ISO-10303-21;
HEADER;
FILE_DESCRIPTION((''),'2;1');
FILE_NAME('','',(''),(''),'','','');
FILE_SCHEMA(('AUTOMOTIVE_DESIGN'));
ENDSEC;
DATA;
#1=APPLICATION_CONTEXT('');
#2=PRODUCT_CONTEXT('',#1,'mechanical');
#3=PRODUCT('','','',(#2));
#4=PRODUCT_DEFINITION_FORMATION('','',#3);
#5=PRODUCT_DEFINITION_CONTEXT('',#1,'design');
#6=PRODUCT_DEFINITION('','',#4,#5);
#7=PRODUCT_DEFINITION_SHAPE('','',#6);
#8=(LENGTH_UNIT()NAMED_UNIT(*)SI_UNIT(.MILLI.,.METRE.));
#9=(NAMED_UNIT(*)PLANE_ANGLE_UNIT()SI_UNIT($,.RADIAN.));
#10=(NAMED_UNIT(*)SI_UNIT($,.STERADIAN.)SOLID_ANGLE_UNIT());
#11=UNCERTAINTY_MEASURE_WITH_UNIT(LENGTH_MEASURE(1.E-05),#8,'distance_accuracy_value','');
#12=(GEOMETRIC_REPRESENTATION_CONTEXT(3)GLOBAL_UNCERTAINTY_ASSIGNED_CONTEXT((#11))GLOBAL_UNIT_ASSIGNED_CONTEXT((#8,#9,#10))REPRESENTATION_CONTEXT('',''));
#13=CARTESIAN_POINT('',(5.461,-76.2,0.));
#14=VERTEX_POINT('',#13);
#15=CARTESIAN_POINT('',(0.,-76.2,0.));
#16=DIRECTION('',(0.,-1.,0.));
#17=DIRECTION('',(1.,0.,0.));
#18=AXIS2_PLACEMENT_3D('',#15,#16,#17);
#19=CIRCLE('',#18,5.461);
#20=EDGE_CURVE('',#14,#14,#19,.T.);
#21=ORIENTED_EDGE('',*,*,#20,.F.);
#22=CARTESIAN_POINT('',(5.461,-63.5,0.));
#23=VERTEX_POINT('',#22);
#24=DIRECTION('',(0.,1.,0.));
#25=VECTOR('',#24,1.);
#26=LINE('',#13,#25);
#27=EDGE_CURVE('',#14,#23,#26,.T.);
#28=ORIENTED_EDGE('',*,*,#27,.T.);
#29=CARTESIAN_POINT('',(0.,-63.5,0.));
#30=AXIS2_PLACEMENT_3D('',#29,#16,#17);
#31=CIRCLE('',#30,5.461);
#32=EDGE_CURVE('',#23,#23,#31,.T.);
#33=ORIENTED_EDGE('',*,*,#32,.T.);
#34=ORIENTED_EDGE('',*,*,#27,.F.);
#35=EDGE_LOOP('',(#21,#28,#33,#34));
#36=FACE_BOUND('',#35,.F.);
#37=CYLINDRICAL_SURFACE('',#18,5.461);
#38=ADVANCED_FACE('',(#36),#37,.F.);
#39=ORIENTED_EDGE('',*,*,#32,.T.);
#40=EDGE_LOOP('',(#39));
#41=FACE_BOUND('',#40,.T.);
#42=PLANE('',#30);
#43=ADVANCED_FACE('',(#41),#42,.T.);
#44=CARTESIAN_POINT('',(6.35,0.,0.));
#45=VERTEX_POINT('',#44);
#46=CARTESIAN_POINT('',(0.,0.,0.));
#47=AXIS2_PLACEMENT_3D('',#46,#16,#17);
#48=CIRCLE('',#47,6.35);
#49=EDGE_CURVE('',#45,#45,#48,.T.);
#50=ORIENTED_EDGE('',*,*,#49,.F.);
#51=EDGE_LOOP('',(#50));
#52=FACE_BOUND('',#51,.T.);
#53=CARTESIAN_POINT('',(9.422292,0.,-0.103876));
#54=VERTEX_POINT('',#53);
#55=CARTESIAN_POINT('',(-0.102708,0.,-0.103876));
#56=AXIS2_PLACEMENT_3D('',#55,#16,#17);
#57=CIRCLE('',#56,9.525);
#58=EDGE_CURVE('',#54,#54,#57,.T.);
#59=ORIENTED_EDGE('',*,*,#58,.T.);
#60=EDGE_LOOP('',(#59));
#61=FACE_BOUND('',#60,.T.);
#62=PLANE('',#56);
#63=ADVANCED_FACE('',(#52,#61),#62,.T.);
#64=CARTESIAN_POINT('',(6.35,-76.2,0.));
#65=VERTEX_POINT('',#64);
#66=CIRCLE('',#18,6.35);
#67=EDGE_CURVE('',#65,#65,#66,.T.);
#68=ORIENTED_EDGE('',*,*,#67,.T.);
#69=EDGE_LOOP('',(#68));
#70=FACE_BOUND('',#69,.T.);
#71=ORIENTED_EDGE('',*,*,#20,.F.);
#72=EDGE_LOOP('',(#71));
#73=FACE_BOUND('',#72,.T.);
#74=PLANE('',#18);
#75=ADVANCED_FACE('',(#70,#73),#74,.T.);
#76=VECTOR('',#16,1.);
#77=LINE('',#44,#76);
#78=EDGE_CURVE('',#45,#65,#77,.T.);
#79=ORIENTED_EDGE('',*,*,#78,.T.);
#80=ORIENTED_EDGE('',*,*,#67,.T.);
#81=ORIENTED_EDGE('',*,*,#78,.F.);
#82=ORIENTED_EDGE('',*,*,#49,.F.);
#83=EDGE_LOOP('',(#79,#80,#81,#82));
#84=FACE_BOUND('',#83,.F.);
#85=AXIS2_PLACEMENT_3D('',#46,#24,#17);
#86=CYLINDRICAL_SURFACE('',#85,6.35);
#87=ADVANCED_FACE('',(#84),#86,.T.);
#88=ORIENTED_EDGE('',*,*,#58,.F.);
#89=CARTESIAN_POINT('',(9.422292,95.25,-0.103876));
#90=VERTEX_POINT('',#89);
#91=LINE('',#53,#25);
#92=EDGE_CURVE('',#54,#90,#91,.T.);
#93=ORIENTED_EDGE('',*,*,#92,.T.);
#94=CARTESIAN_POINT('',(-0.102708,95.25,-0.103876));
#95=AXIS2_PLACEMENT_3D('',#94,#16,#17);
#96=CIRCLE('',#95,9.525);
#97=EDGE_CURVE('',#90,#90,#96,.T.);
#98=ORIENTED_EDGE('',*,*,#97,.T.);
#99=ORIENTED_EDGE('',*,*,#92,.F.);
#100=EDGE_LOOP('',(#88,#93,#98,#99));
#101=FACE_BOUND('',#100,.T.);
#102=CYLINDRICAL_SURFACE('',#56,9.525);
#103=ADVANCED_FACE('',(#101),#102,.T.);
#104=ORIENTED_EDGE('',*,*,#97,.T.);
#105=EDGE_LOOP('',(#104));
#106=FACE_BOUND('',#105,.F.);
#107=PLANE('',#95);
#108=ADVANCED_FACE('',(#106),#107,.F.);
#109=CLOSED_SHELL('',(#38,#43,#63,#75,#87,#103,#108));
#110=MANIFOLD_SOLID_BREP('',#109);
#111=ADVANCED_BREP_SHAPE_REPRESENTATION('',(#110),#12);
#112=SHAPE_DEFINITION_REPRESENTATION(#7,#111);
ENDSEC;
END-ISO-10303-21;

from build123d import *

# Parameters (mm, degrees)
F0_R     = 9.525
F1_DEPTH = 95.25
F2_R     = 6.35
F3_DEPTH = 76.2
F4_R     = 5.461
F5_DEPTH = 12.7


with BuildPart() as f1:
    # F0 (on Front) → F1 (new body)
    with BuildSketch(Plane.XZ):
        with Locations((-0.102708, -0.103876)):
            Circle(F0_R)
    extrude(amount=-F1_DEPTH)

    # F2 (on face) → F3 (join)
    with BuildSketch(Plane.XZ):
        Circle(F2_R)
    extrude(amount=F3_DEPTH)

    # F4 (on face) → F5 (cut)
    with BuildSketch(Plane.XZ.offset(76.2)):
        Circle(F4_R)
    extrude(amount=-F5_DEPTH, mode=Mode.SUBTRACT)


solid = f1.part
